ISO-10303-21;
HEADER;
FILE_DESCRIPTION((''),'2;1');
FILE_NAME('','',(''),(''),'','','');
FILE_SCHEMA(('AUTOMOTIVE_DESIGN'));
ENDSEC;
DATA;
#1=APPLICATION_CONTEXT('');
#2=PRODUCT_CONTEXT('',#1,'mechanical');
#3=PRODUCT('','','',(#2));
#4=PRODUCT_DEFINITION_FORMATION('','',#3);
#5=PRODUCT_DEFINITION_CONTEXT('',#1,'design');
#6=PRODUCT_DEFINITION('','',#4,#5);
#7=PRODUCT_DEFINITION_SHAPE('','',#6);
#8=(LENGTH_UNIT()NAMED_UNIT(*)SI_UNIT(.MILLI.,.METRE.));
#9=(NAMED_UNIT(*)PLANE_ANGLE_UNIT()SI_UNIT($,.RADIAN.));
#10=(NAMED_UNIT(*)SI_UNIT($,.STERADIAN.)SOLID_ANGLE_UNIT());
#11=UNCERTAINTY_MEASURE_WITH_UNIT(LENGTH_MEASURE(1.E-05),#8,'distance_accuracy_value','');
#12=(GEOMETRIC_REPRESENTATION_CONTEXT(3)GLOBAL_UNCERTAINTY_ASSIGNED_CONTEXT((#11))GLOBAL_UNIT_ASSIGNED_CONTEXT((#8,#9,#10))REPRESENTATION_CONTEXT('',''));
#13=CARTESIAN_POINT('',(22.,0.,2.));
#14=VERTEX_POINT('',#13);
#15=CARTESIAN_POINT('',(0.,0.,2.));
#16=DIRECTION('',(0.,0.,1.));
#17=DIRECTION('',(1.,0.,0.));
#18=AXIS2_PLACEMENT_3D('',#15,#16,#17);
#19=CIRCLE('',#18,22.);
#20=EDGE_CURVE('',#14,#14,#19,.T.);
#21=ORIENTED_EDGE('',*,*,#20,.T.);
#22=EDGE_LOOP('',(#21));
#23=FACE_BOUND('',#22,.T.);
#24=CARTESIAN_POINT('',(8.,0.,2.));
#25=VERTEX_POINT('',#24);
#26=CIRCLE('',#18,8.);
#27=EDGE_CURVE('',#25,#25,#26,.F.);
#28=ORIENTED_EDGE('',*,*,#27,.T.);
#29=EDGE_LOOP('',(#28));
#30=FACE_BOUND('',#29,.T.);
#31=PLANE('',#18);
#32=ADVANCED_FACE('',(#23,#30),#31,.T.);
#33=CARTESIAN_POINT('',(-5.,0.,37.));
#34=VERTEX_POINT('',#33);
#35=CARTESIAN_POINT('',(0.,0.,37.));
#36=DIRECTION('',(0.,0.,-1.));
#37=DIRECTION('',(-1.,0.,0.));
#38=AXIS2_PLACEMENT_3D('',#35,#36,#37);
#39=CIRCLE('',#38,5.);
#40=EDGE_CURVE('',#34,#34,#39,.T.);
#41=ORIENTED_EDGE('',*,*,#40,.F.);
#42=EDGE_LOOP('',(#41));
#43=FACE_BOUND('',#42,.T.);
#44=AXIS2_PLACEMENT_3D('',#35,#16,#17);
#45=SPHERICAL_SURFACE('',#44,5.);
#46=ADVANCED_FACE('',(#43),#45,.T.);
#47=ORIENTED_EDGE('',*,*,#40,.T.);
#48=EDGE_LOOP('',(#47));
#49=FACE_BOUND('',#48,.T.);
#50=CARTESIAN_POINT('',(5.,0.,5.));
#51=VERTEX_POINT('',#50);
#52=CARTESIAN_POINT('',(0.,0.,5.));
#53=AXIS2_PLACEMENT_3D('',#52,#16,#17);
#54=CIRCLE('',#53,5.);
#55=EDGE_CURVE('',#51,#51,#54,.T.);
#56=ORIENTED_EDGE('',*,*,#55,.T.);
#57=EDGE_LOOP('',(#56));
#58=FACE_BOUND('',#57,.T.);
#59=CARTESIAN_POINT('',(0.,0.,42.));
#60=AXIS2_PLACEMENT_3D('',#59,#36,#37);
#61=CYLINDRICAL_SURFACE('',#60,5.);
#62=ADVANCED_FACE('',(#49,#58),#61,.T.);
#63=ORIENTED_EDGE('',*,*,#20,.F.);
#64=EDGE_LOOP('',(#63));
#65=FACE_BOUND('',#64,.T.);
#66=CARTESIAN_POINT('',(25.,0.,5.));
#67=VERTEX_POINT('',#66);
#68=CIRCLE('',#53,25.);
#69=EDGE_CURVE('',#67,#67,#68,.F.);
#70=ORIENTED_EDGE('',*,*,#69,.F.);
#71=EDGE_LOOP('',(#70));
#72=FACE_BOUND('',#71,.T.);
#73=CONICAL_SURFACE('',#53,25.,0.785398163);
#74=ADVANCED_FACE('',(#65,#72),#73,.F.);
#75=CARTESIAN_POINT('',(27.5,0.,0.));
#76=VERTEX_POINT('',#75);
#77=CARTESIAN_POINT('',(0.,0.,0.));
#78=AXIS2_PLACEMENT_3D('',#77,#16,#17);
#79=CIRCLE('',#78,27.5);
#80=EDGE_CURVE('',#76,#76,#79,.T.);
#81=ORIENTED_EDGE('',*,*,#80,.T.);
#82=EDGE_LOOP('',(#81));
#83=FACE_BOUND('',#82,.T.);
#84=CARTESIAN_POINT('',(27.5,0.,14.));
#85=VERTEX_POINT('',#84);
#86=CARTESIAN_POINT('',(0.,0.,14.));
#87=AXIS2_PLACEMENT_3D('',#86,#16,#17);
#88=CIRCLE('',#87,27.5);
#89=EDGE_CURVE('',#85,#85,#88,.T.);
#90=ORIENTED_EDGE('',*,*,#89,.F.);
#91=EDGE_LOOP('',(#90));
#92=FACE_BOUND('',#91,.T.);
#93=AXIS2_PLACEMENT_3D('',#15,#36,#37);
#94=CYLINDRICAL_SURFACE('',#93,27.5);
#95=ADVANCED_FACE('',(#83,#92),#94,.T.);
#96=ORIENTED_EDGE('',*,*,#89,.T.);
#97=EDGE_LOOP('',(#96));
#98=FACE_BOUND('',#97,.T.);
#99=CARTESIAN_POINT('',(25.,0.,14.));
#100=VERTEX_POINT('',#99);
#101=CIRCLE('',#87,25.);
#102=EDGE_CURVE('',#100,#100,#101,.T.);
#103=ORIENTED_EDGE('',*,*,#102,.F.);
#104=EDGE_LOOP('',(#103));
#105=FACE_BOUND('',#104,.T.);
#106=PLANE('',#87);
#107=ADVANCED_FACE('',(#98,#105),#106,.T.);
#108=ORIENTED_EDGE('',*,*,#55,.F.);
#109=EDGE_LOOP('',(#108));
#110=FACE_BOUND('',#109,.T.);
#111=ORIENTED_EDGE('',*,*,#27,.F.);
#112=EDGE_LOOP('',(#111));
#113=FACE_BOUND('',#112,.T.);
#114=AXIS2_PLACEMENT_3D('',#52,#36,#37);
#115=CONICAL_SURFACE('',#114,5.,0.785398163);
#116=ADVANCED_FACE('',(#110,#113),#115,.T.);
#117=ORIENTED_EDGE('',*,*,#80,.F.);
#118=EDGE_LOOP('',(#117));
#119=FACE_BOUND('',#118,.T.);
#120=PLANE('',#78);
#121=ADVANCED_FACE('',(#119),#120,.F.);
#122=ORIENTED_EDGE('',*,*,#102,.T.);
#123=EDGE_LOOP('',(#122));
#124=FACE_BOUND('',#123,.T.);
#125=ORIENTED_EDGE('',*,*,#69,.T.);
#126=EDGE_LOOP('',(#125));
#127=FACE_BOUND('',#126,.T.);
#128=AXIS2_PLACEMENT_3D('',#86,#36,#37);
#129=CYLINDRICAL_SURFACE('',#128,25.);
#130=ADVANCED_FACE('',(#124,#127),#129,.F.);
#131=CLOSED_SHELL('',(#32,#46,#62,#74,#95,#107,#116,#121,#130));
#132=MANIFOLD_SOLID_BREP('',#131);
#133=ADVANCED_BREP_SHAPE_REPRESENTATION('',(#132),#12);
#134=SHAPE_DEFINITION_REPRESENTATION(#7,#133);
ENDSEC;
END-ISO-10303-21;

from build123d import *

# Parameters (mm, degrees)
SKETCH_1_R      = 27.5
EXTRUDE_1_DEPTH = 2
SKETCH_2_R      = 27.5
SKETCH_2_R_2    = 25
EXTRUDE_2_DEPTH = 12
SKETCH_3_R      = 5
EXTRUDE_3_DEPTH = 40
CHAMFER_2_SIZE  = 3
CHAMFER_3_SIZE  = 3
FILLET_3_R      = 5


with BuildPart() as part:
    # 草图1 → 凸台-拉伸1 (new body)
    with BuildSketch(Plane.XY):
        Circle(SKETCH_1_R)
    extrude(amount=EXTRUDE_1_DEPTH)

    # 草图2 → 凸台-拉伸2 (add)
    with BuildSketch(Plane.XY.offset(2)):
        Circle(SKETCH_2_R)
        Circle(SKETCH_2_R_2, mode=Mode.SUBTRACT)
    extrude(amount=EXTRUDE_2_DEPTH)

    # 草图3 → 凸台-拉伸3 (add)
    with BuildSketch(Plane.XY.offset(2)):
        Circle(SKETCH_3_R)
    extrude(amount=EXTRUDE_3_DEPTH)

    # 倒角2
    chamfer_2_edges = [part.edges().sort_by_distance(p)[0] for p in [
        (-25, 0, 2),
    ]]
    chamfer(chamfer_2_edges, length=CHAMFER_2_SIZE)

    # 倒角3
    chamfer_3_edges = [part.edges().sort_by_distance(p)[0] for p in [
        (-5, 0, 2),
    ]]
    chamfer(chamfer_3_edges, length=CHAMFER_3_SIZE)

    # 圆角3
    fillet_3_edges = [part.edges().sort_by_distance(p)[0] for p in [
        (-5, 0, 42),
    ]]
    fillet(fillet_3_edges, radius=FILLET_3_R)


solid = part.part
